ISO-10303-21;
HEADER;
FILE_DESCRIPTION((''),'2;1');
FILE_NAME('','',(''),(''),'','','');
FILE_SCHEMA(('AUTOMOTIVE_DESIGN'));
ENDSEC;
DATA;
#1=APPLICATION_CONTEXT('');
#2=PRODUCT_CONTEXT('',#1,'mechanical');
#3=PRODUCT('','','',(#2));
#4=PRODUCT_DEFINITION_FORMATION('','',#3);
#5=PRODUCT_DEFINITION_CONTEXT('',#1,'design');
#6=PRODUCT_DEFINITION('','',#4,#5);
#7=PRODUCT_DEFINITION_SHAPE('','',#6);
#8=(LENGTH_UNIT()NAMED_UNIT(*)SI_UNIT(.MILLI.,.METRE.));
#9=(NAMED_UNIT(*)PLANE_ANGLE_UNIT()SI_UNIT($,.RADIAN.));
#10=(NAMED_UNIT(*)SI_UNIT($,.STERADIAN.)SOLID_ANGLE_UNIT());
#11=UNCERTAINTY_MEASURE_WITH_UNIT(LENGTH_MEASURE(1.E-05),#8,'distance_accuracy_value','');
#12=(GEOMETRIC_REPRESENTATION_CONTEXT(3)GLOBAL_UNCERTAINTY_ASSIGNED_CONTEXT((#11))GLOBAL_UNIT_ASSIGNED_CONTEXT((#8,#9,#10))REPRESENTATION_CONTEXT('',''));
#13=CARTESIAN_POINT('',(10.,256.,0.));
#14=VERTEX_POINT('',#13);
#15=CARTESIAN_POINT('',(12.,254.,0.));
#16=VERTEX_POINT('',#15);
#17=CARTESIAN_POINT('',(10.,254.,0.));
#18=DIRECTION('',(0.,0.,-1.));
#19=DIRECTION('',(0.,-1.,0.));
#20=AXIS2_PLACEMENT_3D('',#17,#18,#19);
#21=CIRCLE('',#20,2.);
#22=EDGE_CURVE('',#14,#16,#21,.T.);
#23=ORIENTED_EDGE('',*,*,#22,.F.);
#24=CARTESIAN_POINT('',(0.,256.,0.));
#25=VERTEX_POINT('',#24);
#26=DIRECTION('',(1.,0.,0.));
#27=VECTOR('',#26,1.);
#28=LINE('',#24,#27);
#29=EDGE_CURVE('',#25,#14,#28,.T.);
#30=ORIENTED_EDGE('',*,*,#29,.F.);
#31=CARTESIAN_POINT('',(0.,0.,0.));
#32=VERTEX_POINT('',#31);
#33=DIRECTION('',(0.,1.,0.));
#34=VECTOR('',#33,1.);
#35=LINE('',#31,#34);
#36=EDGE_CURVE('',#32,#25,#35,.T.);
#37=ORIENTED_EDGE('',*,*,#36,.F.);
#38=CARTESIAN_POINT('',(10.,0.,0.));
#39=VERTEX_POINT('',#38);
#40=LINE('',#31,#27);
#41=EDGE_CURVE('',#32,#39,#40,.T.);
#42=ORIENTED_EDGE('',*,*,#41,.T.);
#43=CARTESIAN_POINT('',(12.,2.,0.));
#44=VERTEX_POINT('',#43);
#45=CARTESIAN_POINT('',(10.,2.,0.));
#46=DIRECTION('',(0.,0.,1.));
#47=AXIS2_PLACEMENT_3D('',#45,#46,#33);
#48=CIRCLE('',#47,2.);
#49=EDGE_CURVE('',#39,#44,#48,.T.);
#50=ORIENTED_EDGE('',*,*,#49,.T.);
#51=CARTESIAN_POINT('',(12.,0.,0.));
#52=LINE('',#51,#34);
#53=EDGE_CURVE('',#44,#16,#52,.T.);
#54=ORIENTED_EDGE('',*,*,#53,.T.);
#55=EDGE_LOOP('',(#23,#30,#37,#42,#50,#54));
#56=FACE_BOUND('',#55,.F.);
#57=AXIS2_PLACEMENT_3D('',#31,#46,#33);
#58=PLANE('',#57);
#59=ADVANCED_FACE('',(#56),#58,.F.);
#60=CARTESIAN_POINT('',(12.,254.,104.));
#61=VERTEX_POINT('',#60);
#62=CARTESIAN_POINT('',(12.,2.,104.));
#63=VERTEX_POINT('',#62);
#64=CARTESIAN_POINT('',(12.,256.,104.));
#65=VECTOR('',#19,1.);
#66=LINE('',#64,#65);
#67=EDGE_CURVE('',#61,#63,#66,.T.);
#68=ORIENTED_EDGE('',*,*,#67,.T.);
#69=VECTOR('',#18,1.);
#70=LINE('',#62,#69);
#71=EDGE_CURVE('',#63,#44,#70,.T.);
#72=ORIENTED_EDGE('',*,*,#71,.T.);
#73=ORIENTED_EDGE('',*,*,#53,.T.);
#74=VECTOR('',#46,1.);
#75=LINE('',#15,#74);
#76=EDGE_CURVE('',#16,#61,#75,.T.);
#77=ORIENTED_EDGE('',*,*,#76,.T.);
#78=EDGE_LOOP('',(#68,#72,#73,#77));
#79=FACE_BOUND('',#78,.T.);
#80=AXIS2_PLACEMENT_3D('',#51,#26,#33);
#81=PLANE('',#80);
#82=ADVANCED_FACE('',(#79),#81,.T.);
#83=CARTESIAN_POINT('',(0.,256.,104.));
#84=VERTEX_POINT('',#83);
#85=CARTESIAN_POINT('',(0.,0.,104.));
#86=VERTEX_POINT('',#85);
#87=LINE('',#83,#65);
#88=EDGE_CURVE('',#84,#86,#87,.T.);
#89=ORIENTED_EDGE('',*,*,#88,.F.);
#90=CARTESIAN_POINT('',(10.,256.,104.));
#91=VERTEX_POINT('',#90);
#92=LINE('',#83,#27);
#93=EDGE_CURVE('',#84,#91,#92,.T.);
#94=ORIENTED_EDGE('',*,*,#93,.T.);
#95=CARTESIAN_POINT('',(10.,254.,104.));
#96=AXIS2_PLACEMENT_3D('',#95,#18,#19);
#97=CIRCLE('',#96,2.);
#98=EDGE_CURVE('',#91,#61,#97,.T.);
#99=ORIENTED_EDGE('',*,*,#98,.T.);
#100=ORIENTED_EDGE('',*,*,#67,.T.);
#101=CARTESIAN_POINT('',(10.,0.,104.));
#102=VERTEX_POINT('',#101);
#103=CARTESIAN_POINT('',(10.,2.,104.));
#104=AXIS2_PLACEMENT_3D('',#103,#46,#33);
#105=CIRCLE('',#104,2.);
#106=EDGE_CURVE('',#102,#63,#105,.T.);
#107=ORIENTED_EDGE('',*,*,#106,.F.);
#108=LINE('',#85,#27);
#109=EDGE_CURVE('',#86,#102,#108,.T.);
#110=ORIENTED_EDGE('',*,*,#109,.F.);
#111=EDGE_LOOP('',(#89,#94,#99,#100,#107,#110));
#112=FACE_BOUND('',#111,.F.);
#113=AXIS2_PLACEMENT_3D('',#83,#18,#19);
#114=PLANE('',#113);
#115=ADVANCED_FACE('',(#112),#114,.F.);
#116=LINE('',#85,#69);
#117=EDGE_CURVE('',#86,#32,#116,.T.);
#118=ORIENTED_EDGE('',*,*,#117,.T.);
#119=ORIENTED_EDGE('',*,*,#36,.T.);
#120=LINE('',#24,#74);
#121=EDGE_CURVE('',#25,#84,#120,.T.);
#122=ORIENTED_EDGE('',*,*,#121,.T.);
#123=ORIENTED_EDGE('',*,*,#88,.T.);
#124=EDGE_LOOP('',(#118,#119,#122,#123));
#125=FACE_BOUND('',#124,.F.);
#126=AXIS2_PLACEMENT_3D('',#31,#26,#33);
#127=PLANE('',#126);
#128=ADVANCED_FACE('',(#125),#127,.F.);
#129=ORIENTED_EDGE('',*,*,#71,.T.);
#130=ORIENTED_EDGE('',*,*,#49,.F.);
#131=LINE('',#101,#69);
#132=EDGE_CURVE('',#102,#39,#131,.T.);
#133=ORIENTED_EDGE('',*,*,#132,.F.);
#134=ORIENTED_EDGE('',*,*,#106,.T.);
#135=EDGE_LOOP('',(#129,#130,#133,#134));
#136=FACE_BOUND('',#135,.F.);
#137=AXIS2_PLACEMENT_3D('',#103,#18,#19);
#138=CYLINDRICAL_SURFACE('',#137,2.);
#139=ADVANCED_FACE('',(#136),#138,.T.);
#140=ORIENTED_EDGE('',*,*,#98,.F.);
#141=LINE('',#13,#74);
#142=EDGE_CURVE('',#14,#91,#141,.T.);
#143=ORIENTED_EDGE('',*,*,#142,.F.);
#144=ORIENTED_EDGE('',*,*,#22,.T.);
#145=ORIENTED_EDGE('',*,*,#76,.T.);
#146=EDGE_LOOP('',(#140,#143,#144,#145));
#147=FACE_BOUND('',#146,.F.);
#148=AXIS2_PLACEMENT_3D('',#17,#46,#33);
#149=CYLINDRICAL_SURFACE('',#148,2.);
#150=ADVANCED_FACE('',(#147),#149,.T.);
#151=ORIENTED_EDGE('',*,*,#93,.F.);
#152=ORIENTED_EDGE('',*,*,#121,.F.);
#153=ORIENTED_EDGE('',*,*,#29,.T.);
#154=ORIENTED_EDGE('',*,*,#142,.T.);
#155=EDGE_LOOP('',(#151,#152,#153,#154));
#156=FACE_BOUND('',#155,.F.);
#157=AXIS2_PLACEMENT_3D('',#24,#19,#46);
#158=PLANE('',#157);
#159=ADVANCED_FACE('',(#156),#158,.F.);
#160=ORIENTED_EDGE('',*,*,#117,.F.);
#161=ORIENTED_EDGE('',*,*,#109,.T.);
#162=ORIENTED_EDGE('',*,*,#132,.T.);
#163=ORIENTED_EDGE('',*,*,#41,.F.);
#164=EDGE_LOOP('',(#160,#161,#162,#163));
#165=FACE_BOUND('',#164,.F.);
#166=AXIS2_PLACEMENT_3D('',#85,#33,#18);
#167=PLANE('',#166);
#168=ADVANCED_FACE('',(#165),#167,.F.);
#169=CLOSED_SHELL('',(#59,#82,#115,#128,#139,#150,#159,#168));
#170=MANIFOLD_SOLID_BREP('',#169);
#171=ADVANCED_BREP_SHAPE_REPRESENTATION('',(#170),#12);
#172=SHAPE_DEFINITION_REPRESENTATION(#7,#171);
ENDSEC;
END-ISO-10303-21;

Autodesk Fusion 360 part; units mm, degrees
sketch "Side Plate" plane through (0, 0, 0) normal (1, 0, 0) x (0, 1, 0)
  line L0 (0, 0) -> (256, 0)
  line L1 (256, 0) -> (256, 104)
  line L2 (256, 104) -> (0, 104)
  line L3 (0, 104) -> (0, 0)
  dimension "d4" = 104
  dimension "d5" = 256
extrude "Extrude1" add sketch "Side Plate" along normal blind 12
fillet "Fillet1" radius 2 2 edges at (12, 0, 52) (12, 256, 52)
equation "block_size = 16 mm" comment "The size of the blocks used for the dimensions of the Minecraft Pig."
equation "pine_thickness = 12 mm" comment "The thickness of the pine boards used for the Minecraft Pig's body."
equation "side_plate_height = 8 * block_size - 2 * pine_thickness" comment "The height of the Side Plates that make up the Minecraft Pig's body."
equation "d4 = side_plate_height"
equation "d5 = 16 * block_size"
equation "d6 = pine_thickness"
equation "fillet_radius = 2 mm" comment "The radius of the fillets applied to the Side Plates."
equation "d10 = fillet_radius"
